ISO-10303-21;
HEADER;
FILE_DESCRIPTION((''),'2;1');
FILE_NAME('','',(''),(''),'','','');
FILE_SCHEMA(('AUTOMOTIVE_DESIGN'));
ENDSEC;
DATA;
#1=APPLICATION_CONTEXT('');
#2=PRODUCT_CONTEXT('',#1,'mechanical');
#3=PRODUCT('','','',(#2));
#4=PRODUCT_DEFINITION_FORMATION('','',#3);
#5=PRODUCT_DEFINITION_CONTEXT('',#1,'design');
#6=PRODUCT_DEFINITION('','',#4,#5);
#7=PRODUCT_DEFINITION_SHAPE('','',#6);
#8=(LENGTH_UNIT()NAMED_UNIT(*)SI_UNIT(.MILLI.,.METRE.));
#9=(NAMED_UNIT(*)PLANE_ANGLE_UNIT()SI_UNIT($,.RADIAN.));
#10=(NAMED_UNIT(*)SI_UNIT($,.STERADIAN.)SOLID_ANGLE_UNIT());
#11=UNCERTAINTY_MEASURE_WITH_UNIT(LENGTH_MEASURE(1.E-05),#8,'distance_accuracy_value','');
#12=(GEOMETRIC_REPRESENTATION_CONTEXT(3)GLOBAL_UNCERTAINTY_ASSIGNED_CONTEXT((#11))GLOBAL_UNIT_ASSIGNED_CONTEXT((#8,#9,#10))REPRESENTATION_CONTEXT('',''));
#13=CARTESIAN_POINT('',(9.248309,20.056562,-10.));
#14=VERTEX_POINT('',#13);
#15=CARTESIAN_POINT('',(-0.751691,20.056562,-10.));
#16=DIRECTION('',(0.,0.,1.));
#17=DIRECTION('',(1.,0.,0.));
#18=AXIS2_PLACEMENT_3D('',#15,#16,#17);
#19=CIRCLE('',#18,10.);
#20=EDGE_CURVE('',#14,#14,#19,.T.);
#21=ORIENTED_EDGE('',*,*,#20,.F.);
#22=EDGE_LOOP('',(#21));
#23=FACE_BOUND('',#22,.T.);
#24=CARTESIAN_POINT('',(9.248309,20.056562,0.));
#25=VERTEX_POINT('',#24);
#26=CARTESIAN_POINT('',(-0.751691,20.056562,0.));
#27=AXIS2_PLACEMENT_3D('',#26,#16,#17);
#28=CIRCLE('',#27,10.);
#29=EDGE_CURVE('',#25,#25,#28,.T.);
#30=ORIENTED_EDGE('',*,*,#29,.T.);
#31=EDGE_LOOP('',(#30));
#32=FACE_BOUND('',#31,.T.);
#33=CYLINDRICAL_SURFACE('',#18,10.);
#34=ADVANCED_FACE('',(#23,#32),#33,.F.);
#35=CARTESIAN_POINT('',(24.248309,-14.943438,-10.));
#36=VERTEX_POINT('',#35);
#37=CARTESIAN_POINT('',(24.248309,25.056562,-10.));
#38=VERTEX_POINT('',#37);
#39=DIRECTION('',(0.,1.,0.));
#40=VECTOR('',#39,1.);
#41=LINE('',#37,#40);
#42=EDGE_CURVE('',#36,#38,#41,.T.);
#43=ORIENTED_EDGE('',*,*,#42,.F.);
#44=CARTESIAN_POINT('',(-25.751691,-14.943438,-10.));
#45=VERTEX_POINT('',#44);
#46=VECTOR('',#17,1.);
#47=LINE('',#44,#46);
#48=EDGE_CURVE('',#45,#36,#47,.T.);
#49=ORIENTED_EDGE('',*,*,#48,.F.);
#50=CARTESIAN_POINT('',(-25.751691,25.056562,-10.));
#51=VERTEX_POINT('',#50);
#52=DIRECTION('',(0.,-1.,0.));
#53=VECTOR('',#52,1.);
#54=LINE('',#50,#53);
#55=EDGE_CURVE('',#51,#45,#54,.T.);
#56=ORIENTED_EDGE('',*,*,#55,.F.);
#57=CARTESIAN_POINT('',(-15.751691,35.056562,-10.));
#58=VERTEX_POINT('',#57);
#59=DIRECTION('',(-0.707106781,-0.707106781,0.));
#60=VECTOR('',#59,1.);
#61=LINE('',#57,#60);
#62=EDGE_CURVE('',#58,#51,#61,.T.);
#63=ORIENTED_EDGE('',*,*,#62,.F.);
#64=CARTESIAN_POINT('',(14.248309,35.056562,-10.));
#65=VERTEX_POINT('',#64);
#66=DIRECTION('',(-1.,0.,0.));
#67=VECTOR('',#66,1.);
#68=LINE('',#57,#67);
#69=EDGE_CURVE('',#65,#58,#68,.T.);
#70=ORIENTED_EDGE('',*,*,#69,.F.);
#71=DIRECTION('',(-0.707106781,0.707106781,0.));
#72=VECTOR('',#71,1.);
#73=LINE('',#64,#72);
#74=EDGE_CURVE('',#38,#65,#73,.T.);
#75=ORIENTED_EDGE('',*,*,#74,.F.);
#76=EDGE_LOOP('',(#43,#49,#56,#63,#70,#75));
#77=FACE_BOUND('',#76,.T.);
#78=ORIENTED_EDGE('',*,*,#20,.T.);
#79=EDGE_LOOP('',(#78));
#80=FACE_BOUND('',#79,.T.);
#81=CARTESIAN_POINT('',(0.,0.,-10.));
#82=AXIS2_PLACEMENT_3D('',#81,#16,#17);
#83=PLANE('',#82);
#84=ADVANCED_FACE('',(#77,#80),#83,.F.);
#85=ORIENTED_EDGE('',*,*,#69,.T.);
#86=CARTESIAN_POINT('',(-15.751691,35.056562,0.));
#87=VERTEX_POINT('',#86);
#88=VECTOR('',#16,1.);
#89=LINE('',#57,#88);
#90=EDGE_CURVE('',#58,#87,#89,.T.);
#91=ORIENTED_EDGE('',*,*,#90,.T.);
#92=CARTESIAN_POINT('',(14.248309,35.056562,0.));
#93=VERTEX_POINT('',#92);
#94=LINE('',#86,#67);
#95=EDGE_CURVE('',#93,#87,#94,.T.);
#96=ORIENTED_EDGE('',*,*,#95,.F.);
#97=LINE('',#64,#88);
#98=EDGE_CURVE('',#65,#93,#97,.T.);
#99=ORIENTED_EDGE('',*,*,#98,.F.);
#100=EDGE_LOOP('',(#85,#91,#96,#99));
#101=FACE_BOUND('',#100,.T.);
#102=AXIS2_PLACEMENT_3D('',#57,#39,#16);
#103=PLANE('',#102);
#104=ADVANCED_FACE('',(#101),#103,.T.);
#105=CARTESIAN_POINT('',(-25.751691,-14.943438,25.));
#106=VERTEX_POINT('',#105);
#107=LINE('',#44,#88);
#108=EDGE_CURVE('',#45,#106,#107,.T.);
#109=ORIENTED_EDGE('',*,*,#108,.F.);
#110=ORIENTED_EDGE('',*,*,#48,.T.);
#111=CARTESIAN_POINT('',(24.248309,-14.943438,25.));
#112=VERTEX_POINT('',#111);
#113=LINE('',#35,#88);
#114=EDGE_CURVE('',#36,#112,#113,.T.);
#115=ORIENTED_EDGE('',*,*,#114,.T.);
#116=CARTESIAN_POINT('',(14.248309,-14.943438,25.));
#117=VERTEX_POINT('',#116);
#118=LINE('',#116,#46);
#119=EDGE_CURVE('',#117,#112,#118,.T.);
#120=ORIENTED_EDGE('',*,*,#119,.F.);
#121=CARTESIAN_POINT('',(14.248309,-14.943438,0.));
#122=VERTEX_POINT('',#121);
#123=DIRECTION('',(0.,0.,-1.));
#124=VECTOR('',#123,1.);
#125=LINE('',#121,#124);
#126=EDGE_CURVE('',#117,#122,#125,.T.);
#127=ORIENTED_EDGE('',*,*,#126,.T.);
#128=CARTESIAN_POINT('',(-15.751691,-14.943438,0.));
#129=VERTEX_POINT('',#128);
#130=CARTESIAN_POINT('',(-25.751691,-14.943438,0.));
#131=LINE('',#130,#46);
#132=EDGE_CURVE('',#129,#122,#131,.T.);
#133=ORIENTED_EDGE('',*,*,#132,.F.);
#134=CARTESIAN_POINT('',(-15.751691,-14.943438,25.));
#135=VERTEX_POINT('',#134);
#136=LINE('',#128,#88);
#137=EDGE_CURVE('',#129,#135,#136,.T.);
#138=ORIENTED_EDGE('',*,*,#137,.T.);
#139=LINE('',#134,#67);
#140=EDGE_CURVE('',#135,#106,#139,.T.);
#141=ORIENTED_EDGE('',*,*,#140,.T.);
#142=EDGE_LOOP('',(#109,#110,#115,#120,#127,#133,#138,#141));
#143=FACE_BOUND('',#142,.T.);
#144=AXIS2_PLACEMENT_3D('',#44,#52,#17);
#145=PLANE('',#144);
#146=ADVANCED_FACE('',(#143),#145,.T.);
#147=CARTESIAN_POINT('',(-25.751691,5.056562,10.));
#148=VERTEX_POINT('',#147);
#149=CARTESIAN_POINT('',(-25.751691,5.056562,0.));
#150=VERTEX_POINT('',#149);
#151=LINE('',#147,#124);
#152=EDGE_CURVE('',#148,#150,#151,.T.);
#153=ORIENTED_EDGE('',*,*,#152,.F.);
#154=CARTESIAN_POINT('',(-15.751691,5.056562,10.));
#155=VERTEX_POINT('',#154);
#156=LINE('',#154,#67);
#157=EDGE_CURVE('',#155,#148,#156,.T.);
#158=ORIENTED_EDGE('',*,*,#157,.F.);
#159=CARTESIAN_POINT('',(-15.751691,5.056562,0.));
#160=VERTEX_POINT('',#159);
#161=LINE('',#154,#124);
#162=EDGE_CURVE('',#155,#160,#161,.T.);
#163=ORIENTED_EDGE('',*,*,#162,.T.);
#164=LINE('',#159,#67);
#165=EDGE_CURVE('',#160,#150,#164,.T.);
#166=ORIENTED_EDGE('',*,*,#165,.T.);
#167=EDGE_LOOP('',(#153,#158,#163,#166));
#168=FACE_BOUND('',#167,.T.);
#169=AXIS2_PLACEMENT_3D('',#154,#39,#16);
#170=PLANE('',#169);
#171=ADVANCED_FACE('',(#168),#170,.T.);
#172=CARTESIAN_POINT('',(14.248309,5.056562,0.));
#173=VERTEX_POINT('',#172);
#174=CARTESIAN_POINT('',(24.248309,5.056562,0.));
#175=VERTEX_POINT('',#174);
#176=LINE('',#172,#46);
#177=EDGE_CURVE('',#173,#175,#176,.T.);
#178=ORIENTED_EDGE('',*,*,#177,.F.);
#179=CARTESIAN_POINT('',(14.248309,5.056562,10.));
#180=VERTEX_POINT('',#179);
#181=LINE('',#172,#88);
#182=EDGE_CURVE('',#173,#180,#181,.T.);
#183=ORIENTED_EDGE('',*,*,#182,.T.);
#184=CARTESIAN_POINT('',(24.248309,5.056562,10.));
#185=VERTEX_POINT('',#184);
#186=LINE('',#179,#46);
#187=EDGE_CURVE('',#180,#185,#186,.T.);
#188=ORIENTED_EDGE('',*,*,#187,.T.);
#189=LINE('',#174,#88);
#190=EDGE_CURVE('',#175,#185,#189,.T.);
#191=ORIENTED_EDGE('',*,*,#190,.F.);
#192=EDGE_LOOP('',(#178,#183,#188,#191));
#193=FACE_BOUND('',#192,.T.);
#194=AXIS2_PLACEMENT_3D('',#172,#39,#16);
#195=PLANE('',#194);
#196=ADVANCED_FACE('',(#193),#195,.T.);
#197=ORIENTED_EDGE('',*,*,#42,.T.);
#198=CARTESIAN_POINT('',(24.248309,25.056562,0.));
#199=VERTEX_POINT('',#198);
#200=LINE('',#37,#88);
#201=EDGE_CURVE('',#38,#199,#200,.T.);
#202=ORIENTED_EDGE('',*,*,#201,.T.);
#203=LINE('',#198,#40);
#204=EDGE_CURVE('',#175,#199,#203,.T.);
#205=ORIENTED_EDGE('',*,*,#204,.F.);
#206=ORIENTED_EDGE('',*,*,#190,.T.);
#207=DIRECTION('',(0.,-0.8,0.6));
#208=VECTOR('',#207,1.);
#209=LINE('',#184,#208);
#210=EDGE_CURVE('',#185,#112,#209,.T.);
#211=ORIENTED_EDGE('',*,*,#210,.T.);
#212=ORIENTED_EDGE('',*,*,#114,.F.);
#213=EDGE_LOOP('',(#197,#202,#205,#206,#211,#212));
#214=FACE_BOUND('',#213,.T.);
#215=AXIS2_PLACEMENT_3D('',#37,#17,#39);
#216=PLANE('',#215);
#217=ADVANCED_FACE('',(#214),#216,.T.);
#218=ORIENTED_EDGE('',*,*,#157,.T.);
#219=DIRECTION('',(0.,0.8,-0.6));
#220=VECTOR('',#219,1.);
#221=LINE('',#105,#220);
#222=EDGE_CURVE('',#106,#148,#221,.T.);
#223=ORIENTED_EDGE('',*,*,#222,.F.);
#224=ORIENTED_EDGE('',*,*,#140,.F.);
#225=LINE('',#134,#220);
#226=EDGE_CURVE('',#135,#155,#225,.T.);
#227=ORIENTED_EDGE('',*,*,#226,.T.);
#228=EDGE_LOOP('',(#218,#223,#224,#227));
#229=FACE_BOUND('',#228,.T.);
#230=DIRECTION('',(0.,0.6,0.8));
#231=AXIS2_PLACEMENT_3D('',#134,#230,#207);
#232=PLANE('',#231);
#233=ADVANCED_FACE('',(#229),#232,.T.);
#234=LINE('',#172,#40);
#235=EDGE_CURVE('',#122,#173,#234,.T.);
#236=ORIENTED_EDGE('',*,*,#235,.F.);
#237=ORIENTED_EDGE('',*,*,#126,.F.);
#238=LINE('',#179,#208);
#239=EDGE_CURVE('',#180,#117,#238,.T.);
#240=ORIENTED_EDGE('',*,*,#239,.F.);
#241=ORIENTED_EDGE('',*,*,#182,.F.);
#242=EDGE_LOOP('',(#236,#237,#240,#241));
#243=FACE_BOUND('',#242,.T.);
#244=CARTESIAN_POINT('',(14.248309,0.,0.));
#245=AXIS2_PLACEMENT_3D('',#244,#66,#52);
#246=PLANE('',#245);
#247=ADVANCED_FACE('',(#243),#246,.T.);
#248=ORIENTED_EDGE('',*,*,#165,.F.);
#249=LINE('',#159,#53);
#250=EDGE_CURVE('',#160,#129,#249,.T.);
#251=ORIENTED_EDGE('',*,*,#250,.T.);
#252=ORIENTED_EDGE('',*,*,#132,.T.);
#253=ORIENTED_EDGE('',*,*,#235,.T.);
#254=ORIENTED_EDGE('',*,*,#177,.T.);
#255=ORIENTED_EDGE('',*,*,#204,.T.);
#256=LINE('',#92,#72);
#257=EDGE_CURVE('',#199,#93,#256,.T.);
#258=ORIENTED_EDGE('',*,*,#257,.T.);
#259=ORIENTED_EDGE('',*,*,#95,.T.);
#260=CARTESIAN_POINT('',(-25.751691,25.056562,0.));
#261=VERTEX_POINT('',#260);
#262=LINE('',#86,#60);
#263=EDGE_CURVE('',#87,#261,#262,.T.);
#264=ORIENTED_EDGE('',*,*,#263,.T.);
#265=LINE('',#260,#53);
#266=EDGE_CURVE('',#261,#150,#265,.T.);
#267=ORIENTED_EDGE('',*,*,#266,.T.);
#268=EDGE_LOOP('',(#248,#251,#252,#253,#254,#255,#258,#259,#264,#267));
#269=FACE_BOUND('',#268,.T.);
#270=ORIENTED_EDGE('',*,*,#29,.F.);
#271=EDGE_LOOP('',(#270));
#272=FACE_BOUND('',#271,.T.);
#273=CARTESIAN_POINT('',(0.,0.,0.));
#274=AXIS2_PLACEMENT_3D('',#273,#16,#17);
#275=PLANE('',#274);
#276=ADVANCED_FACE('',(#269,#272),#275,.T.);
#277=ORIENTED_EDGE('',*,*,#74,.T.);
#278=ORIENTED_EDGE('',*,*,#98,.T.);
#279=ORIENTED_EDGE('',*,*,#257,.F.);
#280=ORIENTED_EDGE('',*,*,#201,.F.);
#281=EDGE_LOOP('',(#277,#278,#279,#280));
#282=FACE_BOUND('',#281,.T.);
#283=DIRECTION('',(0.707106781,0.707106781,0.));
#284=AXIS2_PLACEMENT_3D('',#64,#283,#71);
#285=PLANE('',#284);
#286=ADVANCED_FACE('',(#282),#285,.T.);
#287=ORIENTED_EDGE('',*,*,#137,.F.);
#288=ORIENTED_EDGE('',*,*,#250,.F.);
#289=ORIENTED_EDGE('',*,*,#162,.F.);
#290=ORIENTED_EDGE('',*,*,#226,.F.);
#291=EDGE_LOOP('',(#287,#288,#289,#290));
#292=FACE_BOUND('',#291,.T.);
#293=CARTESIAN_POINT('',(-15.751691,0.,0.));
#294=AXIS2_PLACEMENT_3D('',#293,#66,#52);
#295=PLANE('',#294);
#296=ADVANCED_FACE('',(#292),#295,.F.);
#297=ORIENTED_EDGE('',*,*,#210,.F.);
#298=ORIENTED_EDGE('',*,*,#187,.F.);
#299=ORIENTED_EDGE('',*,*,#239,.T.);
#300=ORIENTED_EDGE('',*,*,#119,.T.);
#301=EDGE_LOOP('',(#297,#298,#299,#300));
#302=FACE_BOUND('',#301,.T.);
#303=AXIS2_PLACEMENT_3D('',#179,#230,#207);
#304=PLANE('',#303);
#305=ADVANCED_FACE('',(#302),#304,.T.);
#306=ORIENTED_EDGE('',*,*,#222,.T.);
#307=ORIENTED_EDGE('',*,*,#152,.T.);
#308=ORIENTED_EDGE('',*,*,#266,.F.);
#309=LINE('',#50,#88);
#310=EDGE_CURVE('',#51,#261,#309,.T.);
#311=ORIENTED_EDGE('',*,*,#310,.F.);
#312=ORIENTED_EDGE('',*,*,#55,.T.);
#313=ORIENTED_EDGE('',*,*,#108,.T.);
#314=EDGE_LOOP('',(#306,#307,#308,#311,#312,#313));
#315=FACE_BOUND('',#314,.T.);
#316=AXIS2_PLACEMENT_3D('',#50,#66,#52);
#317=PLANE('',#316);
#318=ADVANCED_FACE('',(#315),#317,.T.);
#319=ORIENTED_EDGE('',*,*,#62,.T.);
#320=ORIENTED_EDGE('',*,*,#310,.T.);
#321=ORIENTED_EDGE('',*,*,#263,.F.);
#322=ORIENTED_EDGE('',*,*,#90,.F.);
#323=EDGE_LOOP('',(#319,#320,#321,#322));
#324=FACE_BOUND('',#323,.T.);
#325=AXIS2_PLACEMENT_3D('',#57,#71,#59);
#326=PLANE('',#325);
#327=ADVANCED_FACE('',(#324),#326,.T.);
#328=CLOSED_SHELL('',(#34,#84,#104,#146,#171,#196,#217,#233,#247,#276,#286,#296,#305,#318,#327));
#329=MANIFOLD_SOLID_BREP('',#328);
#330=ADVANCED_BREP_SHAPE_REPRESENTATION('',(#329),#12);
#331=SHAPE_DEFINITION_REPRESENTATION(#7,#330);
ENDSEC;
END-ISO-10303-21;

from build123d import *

# Parameters (mm, degrees)
BOSS_EXTRUDE1_DEPTH = 10
SKETCH2_R           = 10
CUT_EXTRUDE1_DEPTH  = 10
BOSS_EXTRUDE2_DEPTH = 10
BOSS_EXTRUDE3_DEPTH = 10


with BuildPart() as part:
    # Sketch1 → Boss-Extrude1 (new body)
    with BuildSketch(Plane.XY):
        Polygon((-15.751690718, 35.056562454), (14.248309282, 35.056562454), (24.248309282, 25.056562454), (24.248309282, -14.943437546), (-25.751690718, -14.943437546), (-25.751690718, 25.056562454), align=None)
    extrude(amount=-BOSS_EXTRUDE1_DEPTH)

    # Sketch2 → Cut-Extrude1 (cut)
    with BuildSketch(Plane.XY):
        with Locations((-0.751690718, 20.056562454)):
            Circle(SKETCH2_R)
    extrude(amount=-CUT_EXTRUDE1_DEPTH, mode=Mode.SUBTRACT)

    # Sketch3 → Boss-Extrude2 (add)
    with BuildSketch(Plane(origin=(24.248309282, 0, 0), x_dir=(0, 0, -1), z_dir=(1, 0, 0))):
        Polygon((0, -14.943437546), (-25, -14.943437546), (-10, 5.056562454), (0, 5.056562454), align=None)
    extrude(amount=-BOSS_EXTRUDE2_DEPTH)

    # Sketch4 → Boss-Extrude3 (add)
    with BuildSketch(Plane.ZY.offset(25.751690718)):
        Polygon((0, -14.943437546), (25, -14.943437546), (10, 5.056562454), (0, 5.056562454), align=None)
    extrude(amount=-BOSS_EXTRUDE3_DEPTH)


solid = part.part
